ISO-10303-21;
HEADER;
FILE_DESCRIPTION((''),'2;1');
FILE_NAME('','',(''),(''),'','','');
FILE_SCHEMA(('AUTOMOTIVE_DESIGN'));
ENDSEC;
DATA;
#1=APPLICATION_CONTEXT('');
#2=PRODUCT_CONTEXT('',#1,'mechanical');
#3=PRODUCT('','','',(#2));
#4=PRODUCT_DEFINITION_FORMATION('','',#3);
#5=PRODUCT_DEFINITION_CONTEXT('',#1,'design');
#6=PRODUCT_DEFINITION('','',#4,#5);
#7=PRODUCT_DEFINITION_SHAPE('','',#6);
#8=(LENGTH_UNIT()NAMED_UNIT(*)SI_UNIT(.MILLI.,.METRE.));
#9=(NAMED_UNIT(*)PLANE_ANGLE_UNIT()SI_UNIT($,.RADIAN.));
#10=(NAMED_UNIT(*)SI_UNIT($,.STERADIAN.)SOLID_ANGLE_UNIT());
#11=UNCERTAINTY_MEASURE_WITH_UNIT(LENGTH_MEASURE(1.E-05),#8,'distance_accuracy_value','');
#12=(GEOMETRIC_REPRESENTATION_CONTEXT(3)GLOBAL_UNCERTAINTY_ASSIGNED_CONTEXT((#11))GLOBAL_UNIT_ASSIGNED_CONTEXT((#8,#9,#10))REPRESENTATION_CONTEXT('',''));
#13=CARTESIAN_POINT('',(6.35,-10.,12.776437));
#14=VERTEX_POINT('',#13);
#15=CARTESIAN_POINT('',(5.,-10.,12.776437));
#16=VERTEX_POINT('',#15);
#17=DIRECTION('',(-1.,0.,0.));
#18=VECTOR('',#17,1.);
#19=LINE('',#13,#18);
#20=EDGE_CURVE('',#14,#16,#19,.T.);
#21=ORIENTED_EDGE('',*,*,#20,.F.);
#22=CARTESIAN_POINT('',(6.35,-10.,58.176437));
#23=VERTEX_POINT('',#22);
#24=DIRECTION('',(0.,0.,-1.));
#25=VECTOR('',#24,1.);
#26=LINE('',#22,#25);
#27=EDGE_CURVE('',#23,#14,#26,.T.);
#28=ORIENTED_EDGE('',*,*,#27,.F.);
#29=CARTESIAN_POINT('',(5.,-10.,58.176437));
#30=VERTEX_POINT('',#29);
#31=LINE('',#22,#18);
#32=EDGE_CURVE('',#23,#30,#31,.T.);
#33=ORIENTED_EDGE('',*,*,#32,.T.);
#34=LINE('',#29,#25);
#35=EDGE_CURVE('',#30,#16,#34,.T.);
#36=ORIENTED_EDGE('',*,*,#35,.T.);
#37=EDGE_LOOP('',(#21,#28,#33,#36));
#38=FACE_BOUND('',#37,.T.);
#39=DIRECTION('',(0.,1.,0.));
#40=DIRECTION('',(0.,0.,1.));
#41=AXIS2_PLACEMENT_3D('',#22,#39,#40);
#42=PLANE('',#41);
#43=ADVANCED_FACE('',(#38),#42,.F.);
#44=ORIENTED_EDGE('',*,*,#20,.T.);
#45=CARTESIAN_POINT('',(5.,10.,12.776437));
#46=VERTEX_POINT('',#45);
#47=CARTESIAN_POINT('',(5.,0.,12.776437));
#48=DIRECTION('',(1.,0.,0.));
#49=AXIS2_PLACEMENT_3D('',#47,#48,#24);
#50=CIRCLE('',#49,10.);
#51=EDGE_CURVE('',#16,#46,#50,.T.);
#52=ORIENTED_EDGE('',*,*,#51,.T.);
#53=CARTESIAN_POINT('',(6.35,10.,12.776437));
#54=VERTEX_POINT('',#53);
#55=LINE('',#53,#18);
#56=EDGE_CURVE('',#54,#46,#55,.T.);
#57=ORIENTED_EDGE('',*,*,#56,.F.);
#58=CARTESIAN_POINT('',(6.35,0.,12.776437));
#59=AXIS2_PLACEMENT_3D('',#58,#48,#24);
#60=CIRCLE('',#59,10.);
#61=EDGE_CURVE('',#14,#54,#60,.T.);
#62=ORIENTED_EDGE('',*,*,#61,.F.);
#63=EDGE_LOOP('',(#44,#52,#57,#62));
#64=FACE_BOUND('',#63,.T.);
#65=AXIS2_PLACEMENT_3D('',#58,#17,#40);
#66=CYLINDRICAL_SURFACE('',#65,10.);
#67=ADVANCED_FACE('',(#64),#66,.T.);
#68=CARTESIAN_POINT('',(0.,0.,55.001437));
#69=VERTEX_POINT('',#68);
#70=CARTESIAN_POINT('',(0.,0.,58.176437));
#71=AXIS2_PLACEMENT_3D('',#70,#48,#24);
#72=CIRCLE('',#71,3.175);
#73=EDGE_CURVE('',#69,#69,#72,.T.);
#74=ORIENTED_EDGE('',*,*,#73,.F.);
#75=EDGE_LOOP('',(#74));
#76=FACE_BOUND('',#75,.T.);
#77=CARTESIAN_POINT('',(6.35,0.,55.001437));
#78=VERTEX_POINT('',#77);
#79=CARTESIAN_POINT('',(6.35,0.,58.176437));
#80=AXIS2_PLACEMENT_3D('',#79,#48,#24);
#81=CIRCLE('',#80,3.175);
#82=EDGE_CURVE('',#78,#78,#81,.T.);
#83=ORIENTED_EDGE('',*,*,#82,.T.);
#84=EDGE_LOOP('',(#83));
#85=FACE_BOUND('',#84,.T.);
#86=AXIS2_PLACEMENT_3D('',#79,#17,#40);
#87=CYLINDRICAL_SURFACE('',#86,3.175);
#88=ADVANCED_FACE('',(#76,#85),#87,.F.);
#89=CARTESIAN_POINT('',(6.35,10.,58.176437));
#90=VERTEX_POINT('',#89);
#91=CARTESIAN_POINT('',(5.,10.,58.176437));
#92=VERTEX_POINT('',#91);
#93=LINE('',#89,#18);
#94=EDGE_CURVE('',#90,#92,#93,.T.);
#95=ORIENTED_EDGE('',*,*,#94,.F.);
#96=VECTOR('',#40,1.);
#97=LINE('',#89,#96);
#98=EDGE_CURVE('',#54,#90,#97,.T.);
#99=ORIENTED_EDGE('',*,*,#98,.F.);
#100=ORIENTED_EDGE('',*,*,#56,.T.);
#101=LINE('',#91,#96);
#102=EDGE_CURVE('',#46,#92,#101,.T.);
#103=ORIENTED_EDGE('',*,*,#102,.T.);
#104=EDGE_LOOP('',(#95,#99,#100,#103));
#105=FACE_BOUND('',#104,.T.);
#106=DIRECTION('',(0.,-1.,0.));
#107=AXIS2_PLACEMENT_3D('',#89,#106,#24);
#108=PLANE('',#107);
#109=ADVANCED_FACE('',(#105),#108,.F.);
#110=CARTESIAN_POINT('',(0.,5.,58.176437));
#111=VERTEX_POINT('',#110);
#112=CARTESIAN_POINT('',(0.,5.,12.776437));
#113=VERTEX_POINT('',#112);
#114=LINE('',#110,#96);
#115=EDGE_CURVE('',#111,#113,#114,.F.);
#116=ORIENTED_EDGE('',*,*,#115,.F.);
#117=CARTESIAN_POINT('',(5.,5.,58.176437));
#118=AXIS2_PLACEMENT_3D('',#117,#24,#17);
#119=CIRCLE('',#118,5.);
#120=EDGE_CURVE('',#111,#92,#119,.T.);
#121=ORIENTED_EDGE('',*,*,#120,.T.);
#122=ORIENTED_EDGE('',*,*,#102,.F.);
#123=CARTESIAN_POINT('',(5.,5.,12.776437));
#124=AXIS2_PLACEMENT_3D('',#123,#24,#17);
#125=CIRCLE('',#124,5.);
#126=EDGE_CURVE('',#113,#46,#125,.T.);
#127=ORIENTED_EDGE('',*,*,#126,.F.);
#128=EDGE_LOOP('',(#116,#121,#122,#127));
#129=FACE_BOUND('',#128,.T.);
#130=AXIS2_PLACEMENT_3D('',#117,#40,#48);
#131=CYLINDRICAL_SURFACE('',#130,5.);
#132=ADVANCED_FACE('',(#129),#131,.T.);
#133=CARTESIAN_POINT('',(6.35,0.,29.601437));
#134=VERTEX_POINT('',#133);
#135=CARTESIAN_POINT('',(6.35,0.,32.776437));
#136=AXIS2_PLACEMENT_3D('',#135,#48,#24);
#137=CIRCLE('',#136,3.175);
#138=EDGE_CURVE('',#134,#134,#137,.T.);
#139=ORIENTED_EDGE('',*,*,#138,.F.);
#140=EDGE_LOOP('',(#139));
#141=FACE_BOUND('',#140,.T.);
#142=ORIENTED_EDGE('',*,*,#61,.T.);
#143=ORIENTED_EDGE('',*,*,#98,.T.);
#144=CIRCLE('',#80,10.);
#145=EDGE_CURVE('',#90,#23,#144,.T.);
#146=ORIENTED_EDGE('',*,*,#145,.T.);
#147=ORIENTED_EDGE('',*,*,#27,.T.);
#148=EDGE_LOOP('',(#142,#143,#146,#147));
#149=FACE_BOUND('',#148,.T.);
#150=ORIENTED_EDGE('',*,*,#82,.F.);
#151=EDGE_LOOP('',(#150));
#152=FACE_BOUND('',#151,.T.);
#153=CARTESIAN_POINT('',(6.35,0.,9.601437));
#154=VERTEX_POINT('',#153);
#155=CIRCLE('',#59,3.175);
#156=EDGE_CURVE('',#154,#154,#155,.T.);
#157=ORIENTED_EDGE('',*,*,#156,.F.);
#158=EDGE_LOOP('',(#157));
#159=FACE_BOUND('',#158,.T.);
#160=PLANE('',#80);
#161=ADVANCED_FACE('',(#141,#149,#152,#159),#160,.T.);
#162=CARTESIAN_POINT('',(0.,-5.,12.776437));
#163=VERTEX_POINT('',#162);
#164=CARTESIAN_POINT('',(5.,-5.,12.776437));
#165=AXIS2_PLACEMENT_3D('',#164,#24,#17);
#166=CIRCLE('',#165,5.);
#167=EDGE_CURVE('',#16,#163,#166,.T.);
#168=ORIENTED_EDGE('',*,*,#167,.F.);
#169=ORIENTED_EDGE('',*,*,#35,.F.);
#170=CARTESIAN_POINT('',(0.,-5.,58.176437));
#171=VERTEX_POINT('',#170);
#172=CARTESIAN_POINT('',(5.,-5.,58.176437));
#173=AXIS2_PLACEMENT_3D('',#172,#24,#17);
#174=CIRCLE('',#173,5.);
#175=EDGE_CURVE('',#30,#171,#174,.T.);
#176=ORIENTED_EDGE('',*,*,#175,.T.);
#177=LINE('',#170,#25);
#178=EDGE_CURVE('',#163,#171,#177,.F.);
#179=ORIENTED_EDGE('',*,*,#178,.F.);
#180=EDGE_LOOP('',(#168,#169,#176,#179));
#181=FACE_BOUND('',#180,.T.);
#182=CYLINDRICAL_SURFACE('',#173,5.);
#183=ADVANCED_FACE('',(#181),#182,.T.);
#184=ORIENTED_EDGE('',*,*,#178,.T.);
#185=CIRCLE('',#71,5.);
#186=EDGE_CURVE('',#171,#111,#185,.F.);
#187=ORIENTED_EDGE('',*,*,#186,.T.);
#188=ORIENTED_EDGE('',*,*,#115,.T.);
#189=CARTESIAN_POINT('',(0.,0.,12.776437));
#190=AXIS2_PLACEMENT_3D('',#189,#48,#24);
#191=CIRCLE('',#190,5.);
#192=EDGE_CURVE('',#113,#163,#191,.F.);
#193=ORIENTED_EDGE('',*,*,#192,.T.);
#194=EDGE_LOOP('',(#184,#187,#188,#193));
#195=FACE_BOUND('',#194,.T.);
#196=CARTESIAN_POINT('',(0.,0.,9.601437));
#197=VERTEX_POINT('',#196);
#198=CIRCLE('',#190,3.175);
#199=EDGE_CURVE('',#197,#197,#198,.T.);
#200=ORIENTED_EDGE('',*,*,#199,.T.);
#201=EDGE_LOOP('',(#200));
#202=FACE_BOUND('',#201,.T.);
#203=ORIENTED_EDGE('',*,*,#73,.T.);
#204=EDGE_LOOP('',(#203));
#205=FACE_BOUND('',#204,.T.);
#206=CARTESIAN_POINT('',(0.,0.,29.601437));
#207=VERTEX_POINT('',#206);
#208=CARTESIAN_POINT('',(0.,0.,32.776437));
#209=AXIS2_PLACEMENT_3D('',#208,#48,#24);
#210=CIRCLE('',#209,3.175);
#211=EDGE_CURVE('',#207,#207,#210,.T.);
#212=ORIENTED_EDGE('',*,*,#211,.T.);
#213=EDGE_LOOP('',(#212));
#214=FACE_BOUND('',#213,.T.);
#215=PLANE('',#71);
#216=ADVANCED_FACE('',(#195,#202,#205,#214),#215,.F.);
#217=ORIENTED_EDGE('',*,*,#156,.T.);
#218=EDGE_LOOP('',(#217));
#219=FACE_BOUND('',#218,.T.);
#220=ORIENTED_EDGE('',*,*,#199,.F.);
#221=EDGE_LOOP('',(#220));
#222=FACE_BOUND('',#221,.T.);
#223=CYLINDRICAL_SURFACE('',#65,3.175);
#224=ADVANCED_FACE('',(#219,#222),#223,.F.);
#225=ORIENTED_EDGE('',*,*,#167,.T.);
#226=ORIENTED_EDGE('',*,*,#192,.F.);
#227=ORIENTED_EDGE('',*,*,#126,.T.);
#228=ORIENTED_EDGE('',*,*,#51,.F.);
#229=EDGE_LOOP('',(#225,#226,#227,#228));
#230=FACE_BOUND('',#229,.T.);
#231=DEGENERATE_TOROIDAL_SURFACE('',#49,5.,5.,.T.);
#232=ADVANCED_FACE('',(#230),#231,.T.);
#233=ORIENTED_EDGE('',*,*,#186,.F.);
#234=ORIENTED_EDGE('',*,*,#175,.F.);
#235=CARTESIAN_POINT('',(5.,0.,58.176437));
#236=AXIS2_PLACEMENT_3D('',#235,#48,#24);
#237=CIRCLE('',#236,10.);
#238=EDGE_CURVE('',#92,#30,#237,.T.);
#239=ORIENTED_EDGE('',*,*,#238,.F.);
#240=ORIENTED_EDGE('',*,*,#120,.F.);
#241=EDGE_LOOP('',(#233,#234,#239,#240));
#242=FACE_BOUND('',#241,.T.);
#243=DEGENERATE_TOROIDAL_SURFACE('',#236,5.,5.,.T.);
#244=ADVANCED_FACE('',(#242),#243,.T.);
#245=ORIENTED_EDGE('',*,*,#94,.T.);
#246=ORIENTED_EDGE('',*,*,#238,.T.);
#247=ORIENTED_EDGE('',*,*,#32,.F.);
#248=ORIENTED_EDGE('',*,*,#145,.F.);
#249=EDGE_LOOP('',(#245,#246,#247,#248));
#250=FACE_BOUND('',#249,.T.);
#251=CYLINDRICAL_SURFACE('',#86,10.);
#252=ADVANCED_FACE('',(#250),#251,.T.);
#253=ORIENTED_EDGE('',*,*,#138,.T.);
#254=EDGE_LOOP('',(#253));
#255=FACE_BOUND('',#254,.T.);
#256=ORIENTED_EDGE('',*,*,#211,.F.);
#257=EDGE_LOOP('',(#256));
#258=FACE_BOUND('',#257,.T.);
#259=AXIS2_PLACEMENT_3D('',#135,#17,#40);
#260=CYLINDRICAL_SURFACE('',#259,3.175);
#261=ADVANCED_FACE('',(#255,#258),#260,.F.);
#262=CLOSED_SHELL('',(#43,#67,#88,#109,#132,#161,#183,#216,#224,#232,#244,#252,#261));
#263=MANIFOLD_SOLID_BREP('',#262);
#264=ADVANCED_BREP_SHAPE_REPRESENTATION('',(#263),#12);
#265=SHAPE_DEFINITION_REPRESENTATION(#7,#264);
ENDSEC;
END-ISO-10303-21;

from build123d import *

# Parameters (mm, degrees)
SKETCH2_R           = 3.175
BOSS_EXTRUDE1_DEPTH = 6.35
FILLET1_R           = 5


with BuildPart() as part:
    # Sketch2 → Boss-Extrude1 (new body)
    with BuildSketch(Plane(origin=(0, 0, 0), x_dir=(0, 0, -1), z_dir=(1, 0, 0))):
        with BuildLine():
            Line((-58.176437282, 10), (-12.776437282, 10))
            ThreePointArc((-12.776437282, 10), (-2.776437282, 0), (-12.776437282, -10))
            Line((-12.776437282, -10), (-58.176437282, -10))
            ThreePointArc((-58.176437282, -10), (-68.176437282, 0), (-58.176437282, 10))
        make_face()
        with Locations((-32.776437282, 0)):
            Circle(SKETCH2_R, mode=Mode.SUBTRACT)
        with Locations((-12.776437282, 0)):
            Circle(SKETCH2_R, mode=Mode.SUBTRACT)
        with Locations((-58.176437282, 0)):
            Circle(SKETCH2_R, mode=Mode.SUBTRACT)
    extrude(amount=BOSS_EXTRUDE1_DEPTH)

    # Fillet1
    fillet1_edges = [part.edges().sort_by_distance(p)[0] for p in [
        (0, 10, 35.476437282),
        (0, 0, 2.776437282),
        (0, -10, 35.476437282),
        (0, 0, 68.176437282),
    ]]
    fillet(fillet1_edges, radius=FILLET1_R)


solid = part.part
